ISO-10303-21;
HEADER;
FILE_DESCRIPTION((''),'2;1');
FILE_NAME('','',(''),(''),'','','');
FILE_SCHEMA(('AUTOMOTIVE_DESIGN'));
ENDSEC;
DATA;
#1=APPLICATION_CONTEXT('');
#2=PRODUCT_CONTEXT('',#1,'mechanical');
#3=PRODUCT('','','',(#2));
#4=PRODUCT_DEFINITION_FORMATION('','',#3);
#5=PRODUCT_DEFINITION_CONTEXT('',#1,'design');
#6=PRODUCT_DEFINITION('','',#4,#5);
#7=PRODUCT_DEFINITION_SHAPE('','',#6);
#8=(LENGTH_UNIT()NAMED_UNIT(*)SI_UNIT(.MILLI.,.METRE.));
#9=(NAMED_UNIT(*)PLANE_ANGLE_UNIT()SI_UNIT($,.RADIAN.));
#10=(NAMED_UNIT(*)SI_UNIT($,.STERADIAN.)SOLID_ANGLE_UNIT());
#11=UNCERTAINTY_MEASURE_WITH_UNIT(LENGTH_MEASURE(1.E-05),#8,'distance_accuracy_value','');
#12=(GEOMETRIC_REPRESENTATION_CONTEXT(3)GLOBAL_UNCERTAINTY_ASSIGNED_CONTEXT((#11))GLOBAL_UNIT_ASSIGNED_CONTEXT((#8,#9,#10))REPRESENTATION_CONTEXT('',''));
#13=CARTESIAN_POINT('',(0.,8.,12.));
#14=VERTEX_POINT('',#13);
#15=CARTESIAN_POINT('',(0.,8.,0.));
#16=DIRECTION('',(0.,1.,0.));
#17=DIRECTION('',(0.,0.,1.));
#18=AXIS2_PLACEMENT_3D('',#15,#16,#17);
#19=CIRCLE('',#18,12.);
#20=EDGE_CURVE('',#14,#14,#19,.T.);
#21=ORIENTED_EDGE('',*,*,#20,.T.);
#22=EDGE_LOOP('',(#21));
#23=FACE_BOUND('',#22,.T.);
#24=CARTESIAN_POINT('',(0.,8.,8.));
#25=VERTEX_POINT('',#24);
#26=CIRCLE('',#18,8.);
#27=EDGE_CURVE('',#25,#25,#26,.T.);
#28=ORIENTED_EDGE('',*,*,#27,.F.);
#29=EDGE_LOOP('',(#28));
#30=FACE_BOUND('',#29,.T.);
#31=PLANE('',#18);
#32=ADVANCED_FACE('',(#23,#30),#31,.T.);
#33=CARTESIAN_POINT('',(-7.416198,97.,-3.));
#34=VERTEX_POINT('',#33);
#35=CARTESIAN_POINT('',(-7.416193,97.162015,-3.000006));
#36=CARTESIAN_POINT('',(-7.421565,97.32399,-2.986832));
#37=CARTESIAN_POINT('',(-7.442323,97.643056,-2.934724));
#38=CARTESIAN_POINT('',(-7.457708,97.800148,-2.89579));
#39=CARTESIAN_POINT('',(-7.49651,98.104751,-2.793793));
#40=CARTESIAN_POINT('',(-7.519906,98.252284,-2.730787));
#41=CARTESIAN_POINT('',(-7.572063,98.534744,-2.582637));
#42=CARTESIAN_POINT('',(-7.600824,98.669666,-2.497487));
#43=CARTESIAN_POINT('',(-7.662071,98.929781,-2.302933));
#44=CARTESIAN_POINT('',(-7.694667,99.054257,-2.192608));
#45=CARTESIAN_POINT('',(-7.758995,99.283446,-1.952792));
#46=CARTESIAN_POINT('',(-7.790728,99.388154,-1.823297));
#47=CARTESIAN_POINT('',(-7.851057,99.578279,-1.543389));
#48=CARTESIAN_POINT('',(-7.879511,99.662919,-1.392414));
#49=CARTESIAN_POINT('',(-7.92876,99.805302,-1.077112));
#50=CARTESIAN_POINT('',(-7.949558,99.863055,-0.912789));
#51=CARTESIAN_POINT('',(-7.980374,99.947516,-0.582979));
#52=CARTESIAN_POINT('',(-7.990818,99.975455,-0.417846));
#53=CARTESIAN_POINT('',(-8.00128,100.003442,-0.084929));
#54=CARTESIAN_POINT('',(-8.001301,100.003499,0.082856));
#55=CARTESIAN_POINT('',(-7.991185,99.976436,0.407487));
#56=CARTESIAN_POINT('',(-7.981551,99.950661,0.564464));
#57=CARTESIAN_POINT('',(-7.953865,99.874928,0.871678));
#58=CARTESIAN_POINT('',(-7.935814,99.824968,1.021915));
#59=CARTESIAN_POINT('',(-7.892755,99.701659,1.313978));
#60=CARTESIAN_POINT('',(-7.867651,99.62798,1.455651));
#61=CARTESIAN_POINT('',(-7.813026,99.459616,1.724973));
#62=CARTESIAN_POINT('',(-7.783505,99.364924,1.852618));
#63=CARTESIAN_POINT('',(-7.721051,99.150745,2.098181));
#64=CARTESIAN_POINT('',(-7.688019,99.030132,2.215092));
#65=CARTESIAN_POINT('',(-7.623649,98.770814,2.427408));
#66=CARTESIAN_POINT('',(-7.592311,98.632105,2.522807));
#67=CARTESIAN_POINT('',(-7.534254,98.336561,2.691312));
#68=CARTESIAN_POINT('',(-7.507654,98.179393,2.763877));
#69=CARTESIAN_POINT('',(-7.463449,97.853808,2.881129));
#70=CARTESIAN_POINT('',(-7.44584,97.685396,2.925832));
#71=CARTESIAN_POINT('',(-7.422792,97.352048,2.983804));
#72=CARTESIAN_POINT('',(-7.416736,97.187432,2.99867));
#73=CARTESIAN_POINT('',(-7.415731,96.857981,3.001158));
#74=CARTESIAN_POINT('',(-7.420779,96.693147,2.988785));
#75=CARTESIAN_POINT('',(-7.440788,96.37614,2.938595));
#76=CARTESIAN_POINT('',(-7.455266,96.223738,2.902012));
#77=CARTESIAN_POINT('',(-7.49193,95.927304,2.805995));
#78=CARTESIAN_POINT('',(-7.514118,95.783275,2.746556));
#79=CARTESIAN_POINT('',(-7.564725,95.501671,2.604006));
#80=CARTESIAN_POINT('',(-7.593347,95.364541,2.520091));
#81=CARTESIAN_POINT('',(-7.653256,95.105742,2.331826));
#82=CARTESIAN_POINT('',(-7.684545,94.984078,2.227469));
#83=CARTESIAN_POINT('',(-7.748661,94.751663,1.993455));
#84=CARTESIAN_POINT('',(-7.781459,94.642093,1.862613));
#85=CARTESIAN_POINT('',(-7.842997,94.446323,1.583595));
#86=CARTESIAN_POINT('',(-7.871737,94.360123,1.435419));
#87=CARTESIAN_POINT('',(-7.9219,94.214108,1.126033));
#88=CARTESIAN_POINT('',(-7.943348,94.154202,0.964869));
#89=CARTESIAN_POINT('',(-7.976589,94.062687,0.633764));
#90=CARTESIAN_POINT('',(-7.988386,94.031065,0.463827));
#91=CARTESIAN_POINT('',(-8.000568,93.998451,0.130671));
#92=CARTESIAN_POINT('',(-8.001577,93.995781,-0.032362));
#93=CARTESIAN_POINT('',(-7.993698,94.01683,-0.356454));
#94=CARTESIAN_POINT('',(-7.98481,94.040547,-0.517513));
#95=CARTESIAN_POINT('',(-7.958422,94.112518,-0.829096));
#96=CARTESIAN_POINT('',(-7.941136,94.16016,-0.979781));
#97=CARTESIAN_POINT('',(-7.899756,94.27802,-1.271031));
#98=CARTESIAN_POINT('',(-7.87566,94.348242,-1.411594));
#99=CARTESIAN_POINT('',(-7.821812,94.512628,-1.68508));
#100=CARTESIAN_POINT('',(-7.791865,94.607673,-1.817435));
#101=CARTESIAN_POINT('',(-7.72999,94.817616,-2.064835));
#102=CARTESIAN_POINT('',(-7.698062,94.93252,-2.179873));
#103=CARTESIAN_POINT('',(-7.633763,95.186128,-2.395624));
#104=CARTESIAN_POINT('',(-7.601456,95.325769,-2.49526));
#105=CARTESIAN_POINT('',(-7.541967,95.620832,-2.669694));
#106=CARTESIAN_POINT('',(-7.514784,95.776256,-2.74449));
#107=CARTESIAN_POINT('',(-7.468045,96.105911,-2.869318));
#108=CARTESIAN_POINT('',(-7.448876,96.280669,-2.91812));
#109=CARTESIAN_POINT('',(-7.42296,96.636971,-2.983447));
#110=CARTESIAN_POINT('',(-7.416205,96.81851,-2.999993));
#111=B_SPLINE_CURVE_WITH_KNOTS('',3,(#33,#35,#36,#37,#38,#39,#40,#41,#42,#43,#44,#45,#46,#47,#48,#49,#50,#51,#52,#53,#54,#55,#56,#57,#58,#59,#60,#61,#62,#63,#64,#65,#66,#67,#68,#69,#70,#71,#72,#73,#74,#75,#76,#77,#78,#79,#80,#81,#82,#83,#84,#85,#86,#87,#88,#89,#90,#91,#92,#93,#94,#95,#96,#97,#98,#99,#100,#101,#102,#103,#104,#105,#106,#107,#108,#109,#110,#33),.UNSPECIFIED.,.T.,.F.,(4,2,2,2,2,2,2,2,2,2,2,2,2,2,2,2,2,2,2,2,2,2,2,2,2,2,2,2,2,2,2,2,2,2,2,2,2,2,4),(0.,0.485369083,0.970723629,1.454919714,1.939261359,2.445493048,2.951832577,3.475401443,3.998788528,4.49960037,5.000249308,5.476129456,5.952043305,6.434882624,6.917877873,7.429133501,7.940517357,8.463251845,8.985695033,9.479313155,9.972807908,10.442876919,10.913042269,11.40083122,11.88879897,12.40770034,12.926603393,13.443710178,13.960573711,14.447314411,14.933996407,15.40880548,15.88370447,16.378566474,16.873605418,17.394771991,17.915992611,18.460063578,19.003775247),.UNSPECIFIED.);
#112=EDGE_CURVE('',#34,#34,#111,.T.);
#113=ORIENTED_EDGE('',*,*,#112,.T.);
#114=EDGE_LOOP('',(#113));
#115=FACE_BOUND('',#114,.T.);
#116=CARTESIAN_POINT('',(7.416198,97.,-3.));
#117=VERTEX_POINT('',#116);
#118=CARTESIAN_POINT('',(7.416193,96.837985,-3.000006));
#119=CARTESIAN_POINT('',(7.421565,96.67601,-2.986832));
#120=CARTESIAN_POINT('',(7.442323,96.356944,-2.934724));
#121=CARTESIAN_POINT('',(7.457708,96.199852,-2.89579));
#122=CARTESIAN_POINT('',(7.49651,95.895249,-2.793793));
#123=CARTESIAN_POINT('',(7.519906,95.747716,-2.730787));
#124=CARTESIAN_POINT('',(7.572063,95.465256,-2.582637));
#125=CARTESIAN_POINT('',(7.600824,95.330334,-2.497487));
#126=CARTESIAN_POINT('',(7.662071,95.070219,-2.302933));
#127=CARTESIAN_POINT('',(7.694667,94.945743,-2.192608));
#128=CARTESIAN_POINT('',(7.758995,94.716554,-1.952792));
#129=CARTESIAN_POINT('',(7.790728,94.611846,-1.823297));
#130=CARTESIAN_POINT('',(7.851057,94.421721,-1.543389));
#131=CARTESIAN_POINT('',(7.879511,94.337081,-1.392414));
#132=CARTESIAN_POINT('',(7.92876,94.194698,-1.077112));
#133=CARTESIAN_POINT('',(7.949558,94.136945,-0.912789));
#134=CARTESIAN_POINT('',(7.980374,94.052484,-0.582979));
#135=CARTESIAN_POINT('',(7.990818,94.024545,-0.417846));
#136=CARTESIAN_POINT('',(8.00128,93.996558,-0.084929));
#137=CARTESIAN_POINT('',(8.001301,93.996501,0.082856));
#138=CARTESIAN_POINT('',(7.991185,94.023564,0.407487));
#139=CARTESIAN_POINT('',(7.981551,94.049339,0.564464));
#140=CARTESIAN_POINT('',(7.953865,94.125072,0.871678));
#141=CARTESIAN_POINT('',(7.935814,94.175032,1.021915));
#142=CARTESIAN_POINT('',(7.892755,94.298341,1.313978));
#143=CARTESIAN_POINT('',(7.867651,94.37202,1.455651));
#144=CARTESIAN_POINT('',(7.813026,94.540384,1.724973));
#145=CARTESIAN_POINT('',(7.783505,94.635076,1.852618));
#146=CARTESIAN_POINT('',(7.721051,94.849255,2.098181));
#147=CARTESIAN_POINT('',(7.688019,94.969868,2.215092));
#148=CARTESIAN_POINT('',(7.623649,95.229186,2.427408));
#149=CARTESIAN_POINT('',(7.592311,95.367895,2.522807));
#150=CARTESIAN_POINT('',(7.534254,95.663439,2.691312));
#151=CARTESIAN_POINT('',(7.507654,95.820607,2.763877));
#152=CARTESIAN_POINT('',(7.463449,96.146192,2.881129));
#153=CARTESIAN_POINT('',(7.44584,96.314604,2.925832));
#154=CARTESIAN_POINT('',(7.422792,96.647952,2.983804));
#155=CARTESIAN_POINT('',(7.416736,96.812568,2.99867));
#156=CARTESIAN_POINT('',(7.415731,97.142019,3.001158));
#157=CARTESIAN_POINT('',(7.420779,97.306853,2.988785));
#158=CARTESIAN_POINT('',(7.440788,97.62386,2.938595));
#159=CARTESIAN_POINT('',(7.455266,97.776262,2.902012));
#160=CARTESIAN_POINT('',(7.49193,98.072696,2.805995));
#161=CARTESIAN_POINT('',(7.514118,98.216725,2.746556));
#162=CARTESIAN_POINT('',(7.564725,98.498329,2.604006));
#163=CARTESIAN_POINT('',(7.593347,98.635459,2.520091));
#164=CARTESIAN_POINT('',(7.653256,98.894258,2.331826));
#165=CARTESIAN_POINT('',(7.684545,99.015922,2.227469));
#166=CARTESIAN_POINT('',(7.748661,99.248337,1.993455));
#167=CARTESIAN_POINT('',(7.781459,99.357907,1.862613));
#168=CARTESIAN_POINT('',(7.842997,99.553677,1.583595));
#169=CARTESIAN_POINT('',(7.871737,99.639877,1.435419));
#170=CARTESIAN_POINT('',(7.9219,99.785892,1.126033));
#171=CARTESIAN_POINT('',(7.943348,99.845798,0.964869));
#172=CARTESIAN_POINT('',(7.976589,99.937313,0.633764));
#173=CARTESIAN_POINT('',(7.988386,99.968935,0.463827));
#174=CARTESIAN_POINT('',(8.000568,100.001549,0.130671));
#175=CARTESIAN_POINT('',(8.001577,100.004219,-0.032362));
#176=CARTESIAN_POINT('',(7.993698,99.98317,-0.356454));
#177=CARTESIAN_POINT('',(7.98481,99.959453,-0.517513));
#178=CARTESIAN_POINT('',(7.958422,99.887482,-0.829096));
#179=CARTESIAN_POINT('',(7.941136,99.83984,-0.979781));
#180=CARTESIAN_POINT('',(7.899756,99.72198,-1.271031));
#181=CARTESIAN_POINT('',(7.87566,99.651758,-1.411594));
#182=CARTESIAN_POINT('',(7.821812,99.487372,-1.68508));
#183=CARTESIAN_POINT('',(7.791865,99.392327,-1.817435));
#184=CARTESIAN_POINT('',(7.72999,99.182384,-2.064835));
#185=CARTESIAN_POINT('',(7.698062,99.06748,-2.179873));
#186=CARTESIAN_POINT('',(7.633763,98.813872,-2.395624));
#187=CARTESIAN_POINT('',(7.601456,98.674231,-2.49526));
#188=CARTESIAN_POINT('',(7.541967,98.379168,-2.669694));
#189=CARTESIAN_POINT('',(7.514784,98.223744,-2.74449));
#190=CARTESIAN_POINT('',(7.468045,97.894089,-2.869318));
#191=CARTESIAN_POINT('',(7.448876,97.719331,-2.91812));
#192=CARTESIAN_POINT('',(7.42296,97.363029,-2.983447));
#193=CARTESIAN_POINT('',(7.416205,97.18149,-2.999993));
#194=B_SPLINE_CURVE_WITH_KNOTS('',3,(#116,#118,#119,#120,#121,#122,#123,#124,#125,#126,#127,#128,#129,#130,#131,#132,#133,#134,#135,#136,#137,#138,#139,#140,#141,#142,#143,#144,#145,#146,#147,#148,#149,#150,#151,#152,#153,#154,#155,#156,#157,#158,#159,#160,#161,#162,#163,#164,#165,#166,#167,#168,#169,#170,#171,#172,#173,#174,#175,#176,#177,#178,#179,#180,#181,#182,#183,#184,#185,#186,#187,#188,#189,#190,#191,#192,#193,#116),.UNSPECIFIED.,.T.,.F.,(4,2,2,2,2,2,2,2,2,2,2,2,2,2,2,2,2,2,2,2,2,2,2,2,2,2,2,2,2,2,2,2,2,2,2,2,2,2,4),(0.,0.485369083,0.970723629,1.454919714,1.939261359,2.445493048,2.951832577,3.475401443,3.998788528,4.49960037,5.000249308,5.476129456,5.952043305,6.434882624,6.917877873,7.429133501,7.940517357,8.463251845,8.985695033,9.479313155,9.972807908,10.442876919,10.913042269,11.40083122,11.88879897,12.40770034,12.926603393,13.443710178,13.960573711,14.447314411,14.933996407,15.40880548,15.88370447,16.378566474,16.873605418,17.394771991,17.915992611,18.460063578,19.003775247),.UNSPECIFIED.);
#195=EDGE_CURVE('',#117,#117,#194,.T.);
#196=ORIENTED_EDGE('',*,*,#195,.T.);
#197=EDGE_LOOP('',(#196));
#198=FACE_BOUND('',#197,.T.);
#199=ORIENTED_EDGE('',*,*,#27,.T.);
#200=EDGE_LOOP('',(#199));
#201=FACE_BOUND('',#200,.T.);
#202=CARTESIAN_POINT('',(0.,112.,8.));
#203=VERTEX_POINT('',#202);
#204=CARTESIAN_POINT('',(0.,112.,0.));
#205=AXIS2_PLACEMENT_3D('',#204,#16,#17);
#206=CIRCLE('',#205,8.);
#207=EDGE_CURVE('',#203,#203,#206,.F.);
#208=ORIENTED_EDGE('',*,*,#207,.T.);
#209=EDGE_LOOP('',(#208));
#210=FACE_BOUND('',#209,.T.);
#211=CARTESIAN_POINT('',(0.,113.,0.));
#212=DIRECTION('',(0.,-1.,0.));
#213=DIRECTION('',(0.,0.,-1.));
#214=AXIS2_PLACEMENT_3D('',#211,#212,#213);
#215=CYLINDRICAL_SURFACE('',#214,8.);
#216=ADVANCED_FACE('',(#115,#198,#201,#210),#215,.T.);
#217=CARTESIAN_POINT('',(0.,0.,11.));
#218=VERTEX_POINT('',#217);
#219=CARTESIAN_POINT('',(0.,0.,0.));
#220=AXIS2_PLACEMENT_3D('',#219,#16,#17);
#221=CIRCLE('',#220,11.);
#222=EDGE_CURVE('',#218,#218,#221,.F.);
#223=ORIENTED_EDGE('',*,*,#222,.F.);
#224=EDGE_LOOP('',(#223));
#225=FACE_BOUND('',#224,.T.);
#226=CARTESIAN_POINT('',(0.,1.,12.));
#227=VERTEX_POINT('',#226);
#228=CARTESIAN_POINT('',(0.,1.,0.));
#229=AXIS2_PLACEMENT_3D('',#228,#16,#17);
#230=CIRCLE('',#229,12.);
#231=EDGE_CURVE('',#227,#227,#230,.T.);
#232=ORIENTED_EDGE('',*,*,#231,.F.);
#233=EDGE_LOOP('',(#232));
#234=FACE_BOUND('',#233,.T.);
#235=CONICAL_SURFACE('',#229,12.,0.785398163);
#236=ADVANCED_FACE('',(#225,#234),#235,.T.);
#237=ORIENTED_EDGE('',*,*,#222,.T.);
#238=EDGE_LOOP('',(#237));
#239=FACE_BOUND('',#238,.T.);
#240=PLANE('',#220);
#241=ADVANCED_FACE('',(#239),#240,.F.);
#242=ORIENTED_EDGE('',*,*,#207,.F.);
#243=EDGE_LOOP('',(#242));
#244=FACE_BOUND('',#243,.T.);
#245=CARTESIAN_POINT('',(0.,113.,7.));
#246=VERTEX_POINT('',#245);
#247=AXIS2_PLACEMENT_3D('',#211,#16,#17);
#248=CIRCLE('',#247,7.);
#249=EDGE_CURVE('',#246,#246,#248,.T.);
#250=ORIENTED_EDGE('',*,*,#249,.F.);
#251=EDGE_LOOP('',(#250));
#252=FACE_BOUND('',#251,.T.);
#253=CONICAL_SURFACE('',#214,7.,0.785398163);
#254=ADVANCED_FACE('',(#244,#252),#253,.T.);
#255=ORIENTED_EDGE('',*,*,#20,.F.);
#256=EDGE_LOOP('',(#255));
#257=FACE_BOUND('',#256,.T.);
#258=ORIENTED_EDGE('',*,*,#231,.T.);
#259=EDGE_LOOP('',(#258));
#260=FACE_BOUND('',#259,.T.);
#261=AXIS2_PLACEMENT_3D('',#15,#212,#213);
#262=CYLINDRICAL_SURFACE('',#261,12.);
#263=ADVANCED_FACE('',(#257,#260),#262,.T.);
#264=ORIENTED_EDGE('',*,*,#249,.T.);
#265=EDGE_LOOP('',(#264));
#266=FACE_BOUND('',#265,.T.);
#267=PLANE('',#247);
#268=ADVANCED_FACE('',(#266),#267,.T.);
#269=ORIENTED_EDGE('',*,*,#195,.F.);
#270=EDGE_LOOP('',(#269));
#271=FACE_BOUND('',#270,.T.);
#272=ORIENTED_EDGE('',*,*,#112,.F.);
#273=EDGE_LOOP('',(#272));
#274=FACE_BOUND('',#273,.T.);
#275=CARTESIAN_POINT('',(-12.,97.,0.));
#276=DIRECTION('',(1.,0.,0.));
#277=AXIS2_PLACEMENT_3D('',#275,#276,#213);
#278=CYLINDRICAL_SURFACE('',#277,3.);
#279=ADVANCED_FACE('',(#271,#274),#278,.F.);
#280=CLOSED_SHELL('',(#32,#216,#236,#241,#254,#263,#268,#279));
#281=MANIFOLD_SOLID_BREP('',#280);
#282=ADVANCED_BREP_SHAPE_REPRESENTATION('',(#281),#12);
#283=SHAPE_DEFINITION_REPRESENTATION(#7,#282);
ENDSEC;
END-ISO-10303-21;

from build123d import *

# Parameters (mm, degrees)
SKETCH1_R               = 12
BOSS_EXTRUDE1_DEPTH     = 8
CHAMFER1_SIZE           = 1
SKETCH2_R               = 8
BOSS_EXTRUDE2_DEPTH     = 105
CHAMFER2_SIZE           = 1
CUT_EXTRUDE1_DEPTH      = 115.267230648
CUT_EXTRUDE1_DEPTH_BACK = 115.267230648
SKETCH3_R               = 3


with BuildPart() as part:
    # Sketch1 → Boss-Extrude1 (new body)
    with BuildSketch(Plane(origin=(0, 0, 0), x_dir=(-1, 0, 0), z_dir=(0, 1, 0))):
        with Locations(Location((0, 0, 0), (0, 0, 90))):
            Circle(SKETCH1_R)
    extrude(amount=BOSS_EXTRUDE1_DEPTH)

    # Chamfer1
    chamfer1_edges = [part.edges().sort_by_distance(p)[0] for p in [
        (0, 0, -12),
    ]]
    chamfer(chamfer1_edges, length=CHAMFER1_SIZE)

    # Sketch2 → Boss-Extrude2 (add)
    with BuildSketch(Plane(origin=(0, 8, 0), x_dir=(-1, 0, 0), z_dir=(0, 1, 0))):
        with Locations(Location((0, 0, 0), (0, 0, 90))):
            Circle(SKETCH2_R)
    extrude(amount=BOSS_EXTRUDE2_DEPTH)

    # Chamfer2
    chamfer2_edges = [part.edges().sort_by_distance(p)[0] for p in [
        (0, 113, -8),
    ]]
    chamfer(chamfer2_edges, length=CHAMFER2_SIZE)

    # Sketch3 → Cut-Extrude1 (cut, two sides: drawn at the far end of the back side and taken through both)
    with BuildSketch(Plane.YZ.offset(-CUT_EXTRUDE1_DEPTH_BACK)):
        with Locations(Location((97, 0, 0), (0, 0, 270))):
            Circle(SKETCH3_R)
    extrude(amount=CUT_EXTRUDE1_DEPTH + CUT_EXTRUDE1_DEPTH_BACK, mode=Mode.SUBTRACT)


solid = part.part
